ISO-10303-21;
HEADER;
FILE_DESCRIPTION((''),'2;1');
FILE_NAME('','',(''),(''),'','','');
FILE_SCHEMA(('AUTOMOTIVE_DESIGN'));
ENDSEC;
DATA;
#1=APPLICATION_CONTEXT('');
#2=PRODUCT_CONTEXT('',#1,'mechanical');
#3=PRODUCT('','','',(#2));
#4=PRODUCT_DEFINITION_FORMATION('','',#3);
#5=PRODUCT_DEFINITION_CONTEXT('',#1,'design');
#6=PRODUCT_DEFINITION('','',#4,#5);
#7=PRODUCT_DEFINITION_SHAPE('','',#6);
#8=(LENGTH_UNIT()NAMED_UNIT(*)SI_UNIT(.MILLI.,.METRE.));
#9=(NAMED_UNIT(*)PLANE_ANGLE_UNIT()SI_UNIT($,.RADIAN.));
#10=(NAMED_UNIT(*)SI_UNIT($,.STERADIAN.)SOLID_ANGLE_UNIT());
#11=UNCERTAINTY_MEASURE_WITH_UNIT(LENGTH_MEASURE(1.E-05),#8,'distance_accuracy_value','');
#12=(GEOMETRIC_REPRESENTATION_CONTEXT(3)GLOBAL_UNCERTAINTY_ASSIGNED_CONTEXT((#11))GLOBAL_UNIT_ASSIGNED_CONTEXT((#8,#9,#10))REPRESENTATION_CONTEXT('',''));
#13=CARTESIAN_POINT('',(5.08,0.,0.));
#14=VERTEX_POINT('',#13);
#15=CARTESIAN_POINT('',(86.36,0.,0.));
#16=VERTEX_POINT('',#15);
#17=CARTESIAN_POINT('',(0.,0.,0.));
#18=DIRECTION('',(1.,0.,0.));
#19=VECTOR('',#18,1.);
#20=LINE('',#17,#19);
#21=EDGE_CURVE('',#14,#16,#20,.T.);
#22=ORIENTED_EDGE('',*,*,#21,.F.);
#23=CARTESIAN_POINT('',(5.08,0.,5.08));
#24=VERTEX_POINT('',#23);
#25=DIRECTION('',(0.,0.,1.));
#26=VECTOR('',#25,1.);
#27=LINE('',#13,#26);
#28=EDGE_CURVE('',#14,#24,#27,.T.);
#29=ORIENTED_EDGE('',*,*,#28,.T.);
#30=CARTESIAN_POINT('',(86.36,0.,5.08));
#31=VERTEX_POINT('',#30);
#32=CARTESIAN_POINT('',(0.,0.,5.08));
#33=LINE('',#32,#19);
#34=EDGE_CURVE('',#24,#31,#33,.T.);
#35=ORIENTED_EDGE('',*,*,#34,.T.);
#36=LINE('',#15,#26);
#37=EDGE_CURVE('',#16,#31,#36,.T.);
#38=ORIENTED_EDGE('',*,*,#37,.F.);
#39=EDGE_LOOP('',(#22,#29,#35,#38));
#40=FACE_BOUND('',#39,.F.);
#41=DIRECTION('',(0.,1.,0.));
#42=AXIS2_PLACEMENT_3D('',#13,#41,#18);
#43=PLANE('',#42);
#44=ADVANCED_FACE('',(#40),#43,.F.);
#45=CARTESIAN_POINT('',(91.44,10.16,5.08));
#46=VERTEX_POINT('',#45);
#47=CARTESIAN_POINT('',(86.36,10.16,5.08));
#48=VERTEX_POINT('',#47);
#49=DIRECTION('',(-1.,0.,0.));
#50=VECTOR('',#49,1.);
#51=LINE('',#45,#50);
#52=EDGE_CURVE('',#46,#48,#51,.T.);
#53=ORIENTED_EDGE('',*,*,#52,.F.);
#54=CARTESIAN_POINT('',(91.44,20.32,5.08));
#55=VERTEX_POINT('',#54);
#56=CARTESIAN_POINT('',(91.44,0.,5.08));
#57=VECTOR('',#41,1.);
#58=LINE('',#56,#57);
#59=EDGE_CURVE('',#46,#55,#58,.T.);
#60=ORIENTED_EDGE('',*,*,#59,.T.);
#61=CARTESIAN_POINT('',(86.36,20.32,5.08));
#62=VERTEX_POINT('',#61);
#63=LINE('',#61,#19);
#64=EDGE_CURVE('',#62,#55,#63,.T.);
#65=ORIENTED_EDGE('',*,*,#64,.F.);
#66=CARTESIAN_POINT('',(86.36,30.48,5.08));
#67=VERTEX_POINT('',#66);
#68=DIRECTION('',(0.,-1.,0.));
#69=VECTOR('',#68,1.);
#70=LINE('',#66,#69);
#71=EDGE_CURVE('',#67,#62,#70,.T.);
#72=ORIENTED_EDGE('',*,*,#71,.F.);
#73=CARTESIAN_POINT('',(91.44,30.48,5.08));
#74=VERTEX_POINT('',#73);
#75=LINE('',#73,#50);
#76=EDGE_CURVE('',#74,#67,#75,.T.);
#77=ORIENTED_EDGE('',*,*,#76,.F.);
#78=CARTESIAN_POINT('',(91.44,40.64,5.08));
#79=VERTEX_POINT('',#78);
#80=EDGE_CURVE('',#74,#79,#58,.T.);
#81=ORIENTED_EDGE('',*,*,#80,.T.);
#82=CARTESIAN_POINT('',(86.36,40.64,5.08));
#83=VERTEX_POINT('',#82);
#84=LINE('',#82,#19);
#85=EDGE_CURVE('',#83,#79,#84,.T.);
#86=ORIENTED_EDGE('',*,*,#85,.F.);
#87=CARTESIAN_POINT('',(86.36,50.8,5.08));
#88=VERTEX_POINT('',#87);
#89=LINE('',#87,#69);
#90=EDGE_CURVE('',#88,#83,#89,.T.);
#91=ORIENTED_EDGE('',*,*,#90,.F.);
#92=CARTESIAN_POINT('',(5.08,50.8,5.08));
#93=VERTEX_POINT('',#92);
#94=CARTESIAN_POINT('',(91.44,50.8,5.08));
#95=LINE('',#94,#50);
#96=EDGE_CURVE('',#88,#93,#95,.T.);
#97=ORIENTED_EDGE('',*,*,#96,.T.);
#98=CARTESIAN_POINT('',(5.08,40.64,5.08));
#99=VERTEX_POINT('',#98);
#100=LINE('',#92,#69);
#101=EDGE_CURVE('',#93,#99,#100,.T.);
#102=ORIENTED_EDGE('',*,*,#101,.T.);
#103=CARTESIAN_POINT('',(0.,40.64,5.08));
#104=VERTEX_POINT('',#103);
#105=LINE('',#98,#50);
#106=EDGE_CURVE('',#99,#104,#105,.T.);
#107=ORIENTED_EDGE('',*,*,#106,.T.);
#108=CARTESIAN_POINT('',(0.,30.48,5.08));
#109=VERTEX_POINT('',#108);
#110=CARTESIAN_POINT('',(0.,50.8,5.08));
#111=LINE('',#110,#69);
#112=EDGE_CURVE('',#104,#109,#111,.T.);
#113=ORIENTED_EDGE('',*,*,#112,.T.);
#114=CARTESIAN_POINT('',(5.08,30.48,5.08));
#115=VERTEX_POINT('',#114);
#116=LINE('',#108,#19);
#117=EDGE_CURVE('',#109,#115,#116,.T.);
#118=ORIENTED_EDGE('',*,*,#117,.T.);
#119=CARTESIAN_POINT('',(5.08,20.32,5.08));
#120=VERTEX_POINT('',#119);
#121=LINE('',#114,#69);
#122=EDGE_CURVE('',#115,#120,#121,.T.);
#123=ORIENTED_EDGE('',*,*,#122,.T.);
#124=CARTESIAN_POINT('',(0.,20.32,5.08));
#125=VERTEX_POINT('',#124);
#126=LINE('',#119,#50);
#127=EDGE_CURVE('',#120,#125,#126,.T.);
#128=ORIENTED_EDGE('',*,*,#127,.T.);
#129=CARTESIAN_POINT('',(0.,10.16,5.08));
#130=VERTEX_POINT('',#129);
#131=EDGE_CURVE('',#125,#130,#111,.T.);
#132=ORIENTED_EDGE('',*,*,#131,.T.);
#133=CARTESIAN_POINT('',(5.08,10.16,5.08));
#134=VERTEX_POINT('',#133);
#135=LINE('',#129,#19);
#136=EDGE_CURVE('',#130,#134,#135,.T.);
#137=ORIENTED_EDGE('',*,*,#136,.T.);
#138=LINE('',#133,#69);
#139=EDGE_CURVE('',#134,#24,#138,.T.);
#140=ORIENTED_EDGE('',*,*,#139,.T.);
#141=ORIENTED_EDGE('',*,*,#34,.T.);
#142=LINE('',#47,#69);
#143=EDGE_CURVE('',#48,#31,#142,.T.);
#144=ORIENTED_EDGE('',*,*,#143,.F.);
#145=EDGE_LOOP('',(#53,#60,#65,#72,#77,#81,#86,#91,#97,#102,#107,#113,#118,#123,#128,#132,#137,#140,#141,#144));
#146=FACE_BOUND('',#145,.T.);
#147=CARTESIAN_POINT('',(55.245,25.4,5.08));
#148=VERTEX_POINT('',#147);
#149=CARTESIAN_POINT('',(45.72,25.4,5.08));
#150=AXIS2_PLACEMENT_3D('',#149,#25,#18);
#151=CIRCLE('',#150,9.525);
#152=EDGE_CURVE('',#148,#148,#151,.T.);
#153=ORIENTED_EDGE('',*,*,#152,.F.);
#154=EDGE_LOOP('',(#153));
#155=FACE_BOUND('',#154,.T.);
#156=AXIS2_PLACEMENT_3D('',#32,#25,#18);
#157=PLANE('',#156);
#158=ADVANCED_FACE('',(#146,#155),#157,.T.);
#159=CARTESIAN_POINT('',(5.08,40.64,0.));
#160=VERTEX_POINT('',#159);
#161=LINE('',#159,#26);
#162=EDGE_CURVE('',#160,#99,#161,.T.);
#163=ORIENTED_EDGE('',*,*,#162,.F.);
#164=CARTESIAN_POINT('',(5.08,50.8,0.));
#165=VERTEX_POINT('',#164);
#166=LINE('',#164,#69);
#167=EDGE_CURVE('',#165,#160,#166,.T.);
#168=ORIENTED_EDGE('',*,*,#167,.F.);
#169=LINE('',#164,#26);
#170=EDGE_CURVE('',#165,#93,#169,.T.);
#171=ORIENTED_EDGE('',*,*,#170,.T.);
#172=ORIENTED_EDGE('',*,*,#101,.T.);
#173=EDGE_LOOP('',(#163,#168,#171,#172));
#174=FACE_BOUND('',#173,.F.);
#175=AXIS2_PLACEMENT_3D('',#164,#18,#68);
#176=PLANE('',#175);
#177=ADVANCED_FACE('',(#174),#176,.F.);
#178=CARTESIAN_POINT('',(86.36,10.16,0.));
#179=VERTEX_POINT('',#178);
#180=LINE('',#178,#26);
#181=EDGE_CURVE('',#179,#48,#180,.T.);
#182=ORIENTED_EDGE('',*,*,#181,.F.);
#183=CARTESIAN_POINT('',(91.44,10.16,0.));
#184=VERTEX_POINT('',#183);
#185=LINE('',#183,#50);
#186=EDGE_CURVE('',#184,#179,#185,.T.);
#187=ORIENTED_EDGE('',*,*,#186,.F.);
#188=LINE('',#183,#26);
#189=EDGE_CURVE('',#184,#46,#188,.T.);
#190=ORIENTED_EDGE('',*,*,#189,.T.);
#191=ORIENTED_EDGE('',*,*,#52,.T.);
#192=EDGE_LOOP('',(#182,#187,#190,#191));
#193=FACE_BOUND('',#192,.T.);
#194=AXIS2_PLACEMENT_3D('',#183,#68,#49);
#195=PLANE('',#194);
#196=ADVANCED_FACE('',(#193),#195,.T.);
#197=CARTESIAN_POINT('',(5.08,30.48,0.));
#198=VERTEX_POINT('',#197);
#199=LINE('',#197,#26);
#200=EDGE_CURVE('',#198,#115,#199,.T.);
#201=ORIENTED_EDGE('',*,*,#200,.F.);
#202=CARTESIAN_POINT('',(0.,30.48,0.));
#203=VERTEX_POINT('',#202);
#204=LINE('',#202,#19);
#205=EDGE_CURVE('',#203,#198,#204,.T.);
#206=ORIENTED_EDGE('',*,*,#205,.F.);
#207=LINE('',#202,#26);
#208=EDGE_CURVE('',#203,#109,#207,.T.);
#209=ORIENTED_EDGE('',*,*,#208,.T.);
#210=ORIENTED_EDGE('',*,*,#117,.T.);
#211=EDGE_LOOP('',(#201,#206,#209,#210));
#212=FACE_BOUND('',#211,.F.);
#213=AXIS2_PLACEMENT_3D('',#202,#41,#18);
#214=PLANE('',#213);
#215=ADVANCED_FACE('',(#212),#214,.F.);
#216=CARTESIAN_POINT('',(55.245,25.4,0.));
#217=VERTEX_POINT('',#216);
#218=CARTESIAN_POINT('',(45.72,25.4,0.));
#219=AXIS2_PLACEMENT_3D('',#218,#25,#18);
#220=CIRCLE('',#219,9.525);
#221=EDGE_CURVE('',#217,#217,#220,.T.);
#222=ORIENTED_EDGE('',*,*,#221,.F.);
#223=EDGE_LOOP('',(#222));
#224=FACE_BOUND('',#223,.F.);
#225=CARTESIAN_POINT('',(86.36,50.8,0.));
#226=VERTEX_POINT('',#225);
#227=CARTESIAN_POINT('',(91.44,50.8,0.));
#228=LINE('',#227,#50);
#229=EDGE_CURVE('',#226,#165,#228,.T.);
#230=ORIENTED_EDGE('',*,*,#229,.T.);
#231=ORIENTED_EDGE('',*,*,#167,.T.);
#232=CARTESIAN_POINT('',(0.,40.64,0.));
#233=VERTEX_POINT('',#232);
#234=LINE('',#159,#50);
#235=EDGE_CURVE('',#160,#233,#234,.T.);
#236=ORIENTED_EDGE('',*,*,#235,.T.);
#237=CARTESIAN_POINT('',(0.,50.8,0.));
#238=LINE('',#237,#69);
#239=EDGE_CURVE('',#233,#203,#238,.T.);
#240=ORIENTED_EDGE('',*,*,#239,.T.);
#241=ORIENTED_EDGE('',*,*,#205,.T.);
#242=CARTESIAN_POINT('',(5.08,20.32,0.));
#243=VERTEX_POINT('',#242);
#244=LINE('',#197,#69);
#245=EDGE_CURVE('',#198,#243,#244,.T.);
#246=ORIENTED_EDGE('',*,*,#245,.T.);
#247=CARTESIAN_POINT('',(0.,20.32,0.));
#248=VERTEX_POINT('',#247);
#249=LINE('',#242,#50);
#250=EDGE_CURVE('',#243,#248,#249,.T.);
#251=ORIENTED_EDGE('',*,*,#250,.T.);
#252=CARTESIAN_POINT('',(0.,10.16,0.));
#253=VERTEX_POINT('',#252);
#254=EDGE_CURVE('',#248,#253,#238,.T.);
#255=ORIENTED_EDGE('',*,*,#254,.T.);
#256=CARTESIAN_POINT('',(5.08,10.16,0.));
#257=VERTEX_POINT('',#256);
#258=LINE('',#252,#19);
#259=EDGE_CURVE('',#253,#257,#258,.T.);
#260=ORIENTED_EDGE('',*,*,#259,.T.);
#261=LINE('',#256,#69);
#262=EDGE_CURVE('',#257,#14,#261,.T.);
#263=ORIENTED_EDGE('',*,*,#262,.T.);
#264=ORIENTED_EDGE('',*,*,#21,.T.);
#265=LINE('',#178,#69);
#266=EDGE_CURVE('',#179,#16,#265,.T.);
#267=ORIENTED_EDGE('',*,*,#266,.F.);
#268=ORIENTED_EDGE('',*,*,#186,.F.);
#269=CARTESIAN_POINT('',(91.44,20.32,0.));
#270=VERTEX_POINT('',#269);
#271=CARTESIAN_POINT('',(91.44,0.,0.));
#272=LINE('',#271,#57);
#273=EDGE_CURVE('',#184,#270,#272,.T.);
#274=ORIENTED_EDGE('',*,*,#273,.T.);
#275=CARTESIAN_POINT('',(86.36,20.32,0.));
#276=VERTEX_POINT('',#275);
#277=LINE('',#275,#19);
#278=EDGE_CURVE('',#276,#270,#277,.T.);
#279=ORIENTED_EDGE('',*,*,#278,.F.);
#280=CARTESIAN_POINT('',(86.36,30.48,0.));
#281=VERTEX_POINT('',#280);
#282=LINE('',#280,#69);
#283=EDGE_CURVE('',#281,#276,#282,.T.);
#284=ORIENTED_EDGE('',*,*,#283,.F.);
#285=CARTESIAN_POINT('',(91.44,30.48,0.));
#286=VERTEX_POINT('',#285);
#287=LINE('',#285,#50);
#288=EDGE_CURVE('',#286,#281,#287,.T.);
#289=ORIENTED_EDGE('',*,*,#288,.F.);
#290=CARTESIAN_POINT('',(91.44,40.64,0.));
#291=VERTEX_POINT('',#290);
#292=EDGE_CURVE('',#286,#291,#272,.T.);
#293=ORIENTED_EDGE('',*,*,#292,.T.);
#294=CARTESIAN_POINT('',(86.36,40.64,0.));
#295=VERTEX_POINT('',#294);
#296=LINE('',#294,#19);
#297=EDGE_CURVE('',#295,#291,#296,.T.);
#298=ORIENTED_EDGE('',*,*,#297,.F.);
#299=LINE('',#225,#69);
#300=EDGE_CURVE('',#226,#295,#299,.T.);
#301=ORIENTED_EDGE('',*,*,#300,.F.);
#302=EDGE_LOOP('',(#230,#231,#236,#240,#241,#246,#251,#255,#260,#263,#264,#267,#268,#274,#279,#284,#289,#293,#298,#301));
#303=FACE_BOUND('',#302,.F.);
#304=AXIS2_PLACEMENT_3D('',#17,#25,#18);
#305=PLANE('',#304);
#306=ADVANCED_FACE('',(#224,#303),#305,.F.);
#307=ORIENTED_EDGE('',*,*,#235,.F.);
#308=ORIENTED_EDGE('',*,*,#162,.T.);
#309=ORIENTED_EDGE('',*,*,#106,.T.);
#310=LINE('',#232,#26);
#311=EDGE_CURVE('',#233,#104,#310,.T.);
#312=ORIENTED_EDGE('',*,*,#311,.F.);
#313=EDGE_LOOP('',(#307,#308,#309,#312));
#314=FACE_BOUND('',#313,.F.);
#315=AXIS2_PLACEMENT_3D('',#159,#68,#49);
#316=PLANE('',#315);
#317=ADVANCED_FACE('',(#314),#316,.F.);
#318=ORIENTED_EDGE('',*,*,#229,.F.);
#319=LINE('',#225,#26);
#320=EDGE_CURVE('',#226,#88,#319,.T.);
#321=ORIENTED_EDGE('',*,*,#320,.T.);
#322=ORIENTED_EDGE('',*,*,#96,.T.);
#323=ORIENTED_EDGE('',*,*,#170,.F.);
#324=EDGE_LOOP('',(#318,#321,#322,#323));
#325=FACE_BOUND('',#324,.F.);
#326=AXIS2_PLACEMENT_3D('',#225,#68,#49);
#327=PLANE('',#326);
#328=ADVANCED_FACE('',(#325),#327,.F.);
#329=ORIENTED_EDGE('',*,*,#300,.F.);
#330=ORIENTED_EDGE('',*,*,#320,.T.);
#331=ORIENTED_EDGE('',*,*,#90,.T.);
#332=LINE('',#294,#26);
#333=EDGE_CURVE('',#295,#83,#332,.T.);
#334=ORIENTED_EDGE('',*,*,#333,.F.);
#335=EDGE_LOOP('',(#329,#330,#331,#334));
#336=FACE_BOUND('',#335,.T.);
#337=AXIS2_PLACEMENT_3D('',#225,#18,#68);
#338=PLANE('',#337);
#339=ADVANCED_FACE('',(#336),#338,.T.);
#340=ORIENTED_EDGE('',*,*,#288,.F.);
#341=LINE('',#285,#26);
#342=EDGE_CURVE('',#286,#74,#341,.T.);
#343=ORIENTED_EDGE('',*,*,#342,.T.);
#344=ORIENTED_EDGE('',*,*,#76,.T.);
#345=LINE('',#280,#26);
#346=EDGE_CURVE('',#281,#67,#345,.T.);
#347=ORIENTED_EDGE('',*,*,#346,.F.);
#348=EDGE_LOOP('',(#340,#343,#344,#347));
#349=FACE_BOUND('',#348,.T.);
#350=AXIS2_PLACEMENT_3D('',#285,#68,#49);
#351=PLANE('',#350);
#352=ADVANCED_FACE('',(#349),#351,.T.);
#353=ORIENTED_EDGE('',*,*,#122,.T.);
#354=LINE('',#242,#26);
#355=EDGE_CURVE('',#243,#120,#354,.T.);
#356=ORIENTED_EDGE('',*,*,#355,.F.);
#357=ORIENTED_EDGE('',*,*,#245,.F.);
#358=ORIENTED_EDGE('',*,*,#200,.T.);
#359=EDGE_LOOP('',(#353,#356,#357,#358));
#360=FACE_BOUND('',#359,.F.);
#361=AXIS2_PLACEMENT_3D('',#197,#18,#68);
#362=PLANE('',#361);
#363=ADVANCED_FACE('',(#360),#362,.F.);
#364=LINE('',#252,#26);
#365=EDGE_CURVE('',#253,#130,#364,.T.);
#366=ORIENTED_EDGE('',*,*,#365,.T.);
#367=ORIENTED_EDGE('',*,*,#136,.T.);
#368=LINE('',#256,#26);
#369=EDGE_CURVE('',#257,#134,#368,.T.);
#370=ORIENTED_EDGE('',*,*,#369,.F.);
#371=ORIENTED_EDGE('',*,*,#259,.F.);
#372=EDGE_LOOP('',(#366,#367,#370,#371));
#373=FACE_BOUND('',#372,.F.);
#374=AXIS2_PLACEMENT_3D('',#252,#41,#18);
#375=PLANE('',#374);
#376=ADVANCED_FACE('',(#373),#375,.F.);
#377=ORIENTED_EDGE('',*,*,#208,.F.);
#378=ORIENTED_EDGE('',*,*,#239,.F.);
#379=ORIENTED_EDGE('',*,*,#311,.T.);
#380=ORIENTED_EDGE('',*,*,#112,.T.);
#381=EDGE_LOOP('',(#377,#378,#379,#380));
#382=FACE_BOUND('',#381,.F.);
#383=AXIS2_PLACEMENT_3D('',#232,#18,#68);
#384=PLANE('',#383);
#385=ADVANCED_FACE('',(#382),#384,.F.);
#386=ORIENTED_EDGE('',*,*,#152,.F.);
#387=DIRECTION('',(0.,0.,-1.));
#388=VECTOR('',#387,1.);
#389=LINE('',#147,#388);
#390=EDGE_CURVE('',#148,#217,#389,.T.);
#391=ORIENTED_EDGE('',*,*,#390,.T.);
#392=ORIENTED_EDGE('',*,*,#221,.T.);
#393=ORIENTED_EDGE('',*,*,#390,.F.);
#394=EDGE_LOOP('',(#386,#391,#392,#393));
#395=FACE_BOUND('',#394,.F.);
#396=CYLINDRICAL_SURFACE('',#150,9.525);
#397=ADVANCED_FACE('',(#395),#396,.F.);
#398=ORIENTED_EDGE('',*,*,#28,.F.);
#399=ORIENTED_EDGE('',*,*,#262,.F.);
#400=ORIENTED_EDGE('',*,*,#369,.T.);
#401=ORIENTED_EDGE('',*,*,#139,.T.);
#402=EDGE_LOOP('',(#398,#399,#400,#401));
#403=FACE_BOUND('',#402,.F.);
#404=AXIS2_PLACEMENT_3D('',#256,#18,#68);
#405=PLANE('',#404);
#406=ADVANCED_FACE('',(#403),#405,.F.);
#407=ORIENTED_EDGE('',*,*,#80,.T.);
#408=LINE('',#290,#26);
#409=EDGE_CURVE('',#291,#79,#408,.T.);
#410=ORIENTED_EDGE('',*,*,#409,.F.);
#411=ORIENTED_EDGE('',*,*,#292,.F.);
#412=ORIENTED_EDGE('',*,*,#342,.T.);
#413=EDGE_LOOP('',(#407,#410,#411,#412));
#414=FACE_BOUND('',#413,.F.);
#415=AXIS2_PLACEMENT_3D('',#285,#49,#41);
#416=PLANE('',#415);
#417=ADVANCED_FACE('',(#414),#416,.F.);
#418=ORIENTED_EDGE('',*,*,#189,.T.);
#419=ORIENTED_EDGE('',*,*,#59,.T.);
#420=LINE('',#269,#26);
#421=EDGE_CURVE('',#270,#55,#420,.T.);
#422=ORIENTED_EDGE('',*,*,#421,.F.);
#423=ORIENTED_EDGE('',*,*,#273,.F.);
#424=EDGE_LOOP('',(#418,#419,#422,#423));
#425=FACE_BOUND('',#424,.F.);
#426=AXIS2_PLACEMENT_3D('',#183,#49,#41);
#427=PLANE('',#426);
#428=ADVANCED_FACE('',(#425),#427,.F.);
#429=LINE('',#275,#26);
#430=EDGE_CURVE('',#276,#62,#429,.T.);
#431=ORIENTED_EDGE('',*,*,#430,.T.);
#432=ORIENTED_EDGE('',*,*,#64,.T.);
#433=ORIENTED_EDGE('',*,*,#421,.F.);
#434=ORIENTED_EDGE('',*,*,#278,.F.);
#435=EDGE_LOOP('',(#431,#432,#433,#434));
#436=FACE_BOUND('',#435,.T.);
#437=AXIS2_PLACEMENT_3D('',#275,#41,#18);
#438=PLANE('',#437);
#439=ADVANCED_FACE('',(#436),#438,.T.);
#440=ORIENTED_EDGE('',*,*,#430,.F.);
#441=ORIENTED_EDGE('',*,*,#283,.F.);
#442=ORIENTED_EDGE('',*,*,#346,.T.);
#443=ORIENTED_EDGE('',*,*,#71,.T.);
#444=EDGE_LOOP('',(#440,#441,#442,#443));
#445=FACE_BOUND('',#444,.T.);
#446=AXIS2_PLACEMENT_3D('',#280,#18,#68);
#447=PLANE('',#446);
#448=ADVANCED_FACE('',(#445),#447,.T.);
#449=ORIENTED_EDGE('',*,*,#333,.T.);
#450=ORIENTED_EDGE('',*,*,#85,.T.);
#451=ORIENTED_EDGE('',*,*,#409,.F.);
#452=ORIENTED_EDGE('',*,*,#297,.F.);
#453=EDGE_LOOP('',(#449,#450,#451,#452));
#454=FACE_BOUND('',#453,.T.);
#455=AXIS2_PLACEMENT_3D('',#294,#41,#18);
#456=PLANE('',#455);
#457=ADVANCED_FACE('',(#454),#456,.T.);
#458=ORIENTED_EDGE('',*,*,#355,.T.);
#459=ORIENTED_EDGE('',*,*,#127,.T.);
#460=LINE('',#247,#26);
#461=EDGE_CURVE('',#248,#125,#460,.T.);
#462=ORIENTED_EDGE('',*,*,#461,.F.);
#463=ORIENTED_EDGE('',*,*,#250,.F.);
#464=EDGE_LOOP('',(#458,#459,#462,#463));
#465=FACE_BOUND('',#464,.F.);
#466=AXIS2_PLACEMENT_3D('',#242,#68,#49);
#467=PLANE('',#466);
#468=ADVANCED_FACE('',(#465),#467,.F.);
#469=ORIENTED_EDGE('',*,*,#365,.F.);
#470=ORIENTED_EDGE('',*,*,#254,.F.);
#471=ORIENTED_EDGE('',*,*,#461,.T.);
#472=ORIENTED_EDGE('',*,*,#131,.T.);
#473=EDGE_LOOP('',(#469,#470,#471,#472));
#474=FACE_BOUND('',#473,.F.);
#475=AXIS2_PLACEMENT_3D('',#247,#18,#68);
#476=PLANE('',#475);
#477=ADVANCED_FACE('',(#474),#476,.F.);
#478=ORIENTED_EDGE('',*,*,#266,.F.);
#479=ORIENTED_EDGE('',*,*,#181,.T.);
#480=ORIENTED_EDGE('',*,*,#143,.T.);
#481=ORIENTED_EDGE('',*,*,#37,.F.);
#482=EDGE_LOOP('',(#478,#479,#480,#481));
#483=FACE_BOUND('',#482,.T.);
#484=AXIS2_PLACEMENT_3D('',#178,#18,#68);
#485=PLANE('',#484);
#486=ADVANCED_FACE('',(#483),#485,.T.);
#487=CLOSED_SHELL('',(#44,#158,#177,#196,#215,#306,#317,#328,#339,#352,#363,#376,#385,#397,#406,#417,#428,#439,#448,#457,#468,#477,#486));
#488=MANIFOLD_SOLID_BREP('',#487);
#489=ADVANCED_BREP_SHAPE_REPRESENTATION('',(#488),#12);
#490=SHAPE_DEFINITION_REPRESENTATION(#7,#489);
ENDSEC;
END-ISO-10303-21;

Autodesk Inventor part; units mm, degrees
ref_plane "YZ Plane" through (0, 0, 0) normal (1, 0, 0) x (0, 1, 0)
ref_plane "XZ Plane" through (0, 0, 0) normal (0, 1, 0) x (-1, 0, 0)
ref_plane "XY Plane" through (0, 0, 0) normal (0, 0, 1) x (1, 0, 0)
sketch "Sketch1" plane through (0, 0, 0) normal (0, 0, 1) x (1, 0, 0)
  line L0 (0, 0) -> (91.44, 0)
  line L1 (91.44, 0) -> (91.44, 50.8)
  line L2 (91.44, 50.8) -> (0, 50.8)
  line L3 (0, 50.8) -> (0, 0)
  line L4 (0, 50.8) -> (5.08, 50.8)
  line L5 (5.08, 50.8) -> (5.08, 40.64)
  line L6 (5.08, 40.64) -> (0, 40.64)
  line L7 (0, 40.64) -> (0, 50.8)
  line L8 (0, 30.48) -> (5.08, 30.48)
  line L9 (5.08, 30.48) -> (5.08, 20.32)
  line L10 (5.08, 20.32) -> (0, 20.32)
  line L11 (0, 20.32) -> (0, 30.48)
  line L12 (0, 10.16) -> (5.08, 10.16)
  line L13 (5.08, 10.16) -> (5.08, 0)
  line L14 (5.08, 0) -> (0, 0)
  line L15 (0, 0) -> (0, 10.16)
  line L16 (45.72, 50.8) -> (45.72, 0) construction
  line L17 (91.44, 50.8) -> (91.44, 0)
  line L18 (91.44, 50.8) -> (86.36, 50.8)
  line L19 (86.36, 50.8) -> (86.36, 40.64)
  line L20 (86.36, 40.64) -> (91.44, 40.64)
  line L21 (91.44, 40.64) -> (91.44, 50.8)
  line L22 (91.44, 30.48) -> (86.36, 30.48)
  line L23 (86.36, 30.48) -> (86.36, 20.32)
  line L24 (86.36, 20.32) -> (91.44, 20.32)
  line L25 (91.44, 20.32) -> (91.44, 30.48)
  line L26 (91.44, 10.16) -> (86.36, 10.16)
  line L27 (86.36, 10.16) -> (86.36, 0)
  line L28 (86.36, 0) -> (91.44, 0)
  line L29 (91.44, 0) -> (91.44, 10.16)
  dimension "d0" = 91.44
  dimension "d1" = 50.8
  dimension "d2" = 5.08
  dimension "d3" = 10.16
  dimension "d6" = 20.32
extrude "Extrusion1" add sketch "Sketch1" along normal blind 5.08 contours L13 L12 L3 L10 L9 L8 L6 L5 L2 L19 L20 L1 L22 L23 L24 L26 L27 L0
sketch "Sketch2" plane through (0, 0, 5.08) normal (0, 0, 1) x (1, 0, 0)
  line L0 (91.44, 20.32) -> (86.36, 20.32) projected
  line L1 (86.36, 20.32) -> (86.36, 30.48) projected
  line L2 (86.36, 30.48) -> (91.44, 30.48) projected
  line L3 (91.44, 30.48) -> (91.44, 40.64) projected
  line L4 (91.44, 40.64) -> (86.36, 40.64) projected
  line L5 (86.36, 40.64) -> (86.36, 50.8) projected
  line L6 (86.36, 50.8) -> (5.08, 50.8) projected
  line L7 (5.08, 50.8) -> (5.08, 40.64) projected
  line L8 (5.08, 40.64) -> (0, 40.64) projected
  line L9 (0, 40.64) -> (0, 30.48) projected
  line L10 (0, 30.48) -> (5.08, 30.48) projected
  line L11 (5.08, 30.48) -> (5.08, 20.32) projected
  line L12 (5.08, 20.32) -> (0, 20.32) projected
  line L13 (0, 20.32) -> (0, 10.16) projected
  line L14 (0, 10.16) -> (5.08, 10.16) projected
  line L15 (5.08, 10.16) -> (5.08, 0) projected
  line L16 (5.08, 0) -> (86.36, 0) projected
  line L17 (86.36, 0) -> (86.36, 10.16) projected
  line L18 (86.36, 10.16) -> (91.44, 10.16) projected
  line L19 (91.44, 10.16) -> (91.44, 20.32) projected
  line L20 (86.36, 50.8) -> (5.08, 50.8) construction
  line L21 (45.72, 50.8) -> (45.72, 0) construction
  line L22 (5.08, 0) -> (86.36, 0) construction
  line L23 (5.08, 25.4) -> (86.36, 25.4) construction
  circle A0 centre (45.72, 25.4) radius 9.525
  point P0 (0, 0)
  dimension "d13" = 19.05
extrude "Extrusion2" cut sketch "Sketch2" against normal blind 25.4 contours A0
equation "\"d6\" = 2 * d3"
properties part number "OctMiniSupport" material "Wood (Birch)"
